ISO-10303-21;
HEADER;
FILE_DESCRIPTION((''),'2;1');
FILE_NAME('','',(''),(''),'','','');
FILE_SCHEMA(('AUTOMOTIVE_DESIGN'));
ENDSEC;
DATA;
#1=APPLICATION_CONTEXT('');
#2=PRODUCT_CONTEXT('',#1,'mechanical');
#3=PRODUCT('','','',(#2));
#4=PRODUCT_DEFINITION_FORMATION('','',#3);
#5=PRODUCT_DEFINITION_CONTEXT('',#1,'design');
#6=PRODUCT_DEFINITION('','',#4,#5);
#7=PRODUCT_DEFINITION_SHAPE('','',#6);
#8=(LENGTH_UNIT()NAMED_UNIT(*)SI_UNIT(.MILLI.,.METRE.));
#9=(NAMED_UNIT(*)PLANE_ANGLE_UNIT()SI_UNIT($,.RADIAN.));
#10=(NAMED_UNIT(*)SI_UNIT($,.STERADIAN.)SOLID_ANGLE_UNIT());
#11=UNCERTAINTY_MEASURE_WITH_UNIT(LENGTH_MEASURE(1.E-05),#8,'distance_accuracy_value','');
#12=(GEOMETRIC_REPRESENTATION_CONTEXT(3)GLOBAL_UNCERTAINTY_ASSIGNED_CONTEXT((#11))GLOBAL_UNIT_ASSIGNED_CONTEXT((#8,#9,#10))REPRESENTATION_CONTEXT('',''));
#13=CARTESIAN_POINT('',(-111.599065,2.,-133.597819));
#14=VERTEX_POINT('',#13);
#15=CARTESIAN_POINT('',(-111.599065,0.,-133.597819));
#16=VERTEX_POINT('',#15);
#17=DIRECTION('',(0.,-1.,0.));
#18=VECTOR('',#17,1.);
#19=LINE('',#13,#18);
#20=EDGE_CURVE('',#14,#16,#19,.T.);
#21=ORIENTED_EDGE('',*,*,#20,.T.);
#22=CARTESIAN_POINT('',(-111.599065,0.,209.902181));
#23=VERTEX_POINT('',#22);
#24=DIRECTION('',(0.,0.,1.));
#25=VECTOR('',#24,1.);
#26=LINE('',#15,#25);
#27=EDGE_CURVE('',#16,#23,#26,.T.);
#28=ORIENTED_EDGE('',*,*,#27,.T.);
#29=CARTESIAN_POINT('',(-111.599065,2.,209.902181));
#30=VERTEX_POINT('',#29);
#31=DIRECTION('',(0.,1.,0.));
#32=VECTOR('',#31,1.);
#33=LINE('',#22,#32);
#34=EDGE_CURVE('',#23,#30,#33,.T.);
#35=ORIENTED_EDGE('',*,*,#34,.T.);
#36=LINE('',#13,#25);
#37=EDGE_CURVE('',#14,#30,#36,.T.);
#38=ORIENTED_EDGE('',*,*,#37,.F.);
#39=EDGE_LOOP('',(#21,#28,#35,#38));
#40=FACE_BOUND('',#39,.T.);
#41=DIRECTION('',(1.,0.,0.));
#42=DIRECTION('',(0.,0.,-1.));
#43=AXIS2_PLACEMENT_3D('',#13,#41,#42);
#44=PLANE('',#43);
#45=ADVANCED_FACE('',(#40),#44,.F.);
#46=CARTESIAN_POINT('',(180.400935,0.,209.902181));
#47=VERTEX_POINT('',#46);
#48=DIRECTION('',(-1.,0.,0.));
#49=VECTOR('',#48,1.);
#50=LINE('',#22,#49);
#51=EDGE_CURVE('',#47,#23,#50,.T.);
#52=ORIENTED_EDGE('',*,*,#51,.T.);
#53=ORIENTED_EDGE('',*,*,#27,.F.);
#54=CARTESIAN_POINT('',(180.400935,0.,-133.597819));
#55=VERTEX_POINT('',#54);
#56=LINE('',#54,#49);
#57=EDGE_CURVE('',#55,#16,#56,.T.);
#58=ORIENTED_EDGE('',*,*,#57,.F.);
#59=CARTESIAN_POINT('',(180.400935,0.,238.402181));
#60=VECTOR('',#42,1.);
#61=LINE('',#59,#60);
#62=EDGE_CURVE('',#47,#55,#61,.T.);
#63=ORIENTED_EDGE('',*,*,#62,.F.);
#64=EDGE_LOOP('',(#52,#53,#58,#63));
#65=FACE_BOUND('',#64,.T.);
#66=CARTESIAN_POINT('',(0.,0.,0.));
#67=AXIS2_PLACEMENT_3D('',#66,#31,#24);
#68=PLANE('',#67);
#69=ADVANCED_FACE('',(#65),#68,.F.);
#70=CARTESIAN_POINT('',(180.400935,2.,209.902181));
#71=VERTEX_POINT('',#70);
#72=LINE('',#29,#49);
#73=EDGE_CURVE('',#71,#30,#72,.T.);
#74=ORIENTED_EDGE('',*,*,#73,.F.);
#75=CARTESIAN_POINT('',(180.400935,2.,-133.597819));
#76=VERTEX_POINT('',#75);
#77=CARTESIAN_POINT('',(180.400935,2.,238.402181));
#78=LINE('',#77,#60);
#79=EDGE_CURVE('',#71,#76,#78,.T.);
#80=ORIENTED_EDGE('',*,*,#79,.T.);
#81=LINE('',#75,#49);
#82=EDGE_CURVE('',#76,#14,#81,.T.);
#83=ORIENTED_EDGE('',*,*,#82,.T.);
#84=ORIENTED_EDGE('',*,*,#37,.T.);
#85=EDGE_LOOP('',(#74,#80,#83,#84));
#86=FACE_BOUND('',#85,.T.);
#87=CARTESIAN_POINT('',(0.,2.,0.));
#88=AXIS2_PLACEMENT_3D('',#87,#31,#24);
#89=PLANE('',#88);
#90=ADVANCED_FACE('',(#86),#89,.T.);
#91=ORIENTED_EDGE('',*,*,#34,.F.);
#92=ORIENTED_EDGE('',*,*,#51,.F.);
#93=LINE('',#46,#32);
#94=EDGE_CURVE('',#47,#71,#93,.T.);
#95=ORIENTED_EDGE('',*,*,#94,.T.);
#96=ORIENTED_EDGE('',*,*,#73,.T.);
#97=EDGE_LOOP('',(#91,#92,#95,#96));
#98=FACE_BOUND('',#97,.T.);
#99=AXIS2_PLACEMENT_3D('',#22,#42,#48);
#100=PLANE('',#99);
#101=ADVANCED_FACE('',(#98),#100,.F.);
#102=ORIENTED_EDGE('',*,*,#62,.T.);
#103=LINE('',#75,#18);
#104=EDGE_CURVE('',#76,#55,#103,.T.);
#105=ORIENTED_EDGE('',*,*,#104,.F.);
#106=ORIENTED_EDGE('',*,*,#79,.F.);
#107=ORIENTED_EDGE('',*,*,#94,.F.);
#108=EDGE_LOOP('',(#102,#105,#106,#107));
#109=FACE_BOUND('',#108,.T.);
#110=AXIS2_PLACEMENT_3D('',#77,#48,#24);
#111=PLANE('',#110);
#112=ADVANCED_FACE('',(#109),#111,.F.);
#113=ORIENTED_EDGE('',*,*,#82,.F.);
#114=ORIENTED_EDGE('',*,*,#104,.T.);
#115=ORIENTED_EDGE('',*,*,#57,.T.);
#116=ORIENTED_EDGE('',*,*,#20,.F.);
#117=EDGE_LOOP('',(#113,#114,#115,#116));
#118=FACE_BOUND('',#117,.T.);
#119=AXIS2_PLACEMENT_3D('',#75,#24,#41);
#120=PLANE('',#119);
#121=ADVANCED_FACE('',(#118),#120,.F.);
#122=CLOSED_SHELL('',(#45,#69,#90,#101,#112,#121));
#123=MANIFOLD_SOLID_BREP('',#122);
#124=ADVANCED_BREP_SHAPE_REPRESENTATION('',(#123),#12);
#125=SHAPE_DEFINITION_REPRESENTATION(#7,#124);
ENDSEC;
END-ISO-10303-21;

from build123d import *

# Parameters (mm, degrees)
SKETCH1_W           = 292
SKETCH1_H           = 372
BOSS_EXTRUDE1_DEPTH = 2
SKETCH2_W           = 292
SKETCH2_H           = 28.5
CUT_EXTRUDE1_DEPTH  = 2


with BuildPart() as part:
    # Sketch1 → Boss-Extrude1 (new body)
    with BuildSketch(Plane(origin=(0, 0, 0), x_dir=(1, 0, 0), z_dir=(0, 1, 0))):
        with Locations((34.400934579, -52.402180685)):
            Rectangle(SKETCH1_W, SKETCH1_H)
    extrude(amount=BOSS_EXTRUDE1_DEPTH)

    # Sketch2 → Cut-Extrude1 (cut)
    with BuildSketch(Plane(origin=(0, 2, 0), x_dir=(1, 0, 0), z_dir=(0, 1, 0))):
        with Locations((34.400934579, -224.152180685)):
            Rectangle(SKETCH2_W, SKETCH2_H)
    extrude(amount=-CUT_EXTRUDE1_DEPTH, mode=Mode.SUBTRACT)


solid = part.part
